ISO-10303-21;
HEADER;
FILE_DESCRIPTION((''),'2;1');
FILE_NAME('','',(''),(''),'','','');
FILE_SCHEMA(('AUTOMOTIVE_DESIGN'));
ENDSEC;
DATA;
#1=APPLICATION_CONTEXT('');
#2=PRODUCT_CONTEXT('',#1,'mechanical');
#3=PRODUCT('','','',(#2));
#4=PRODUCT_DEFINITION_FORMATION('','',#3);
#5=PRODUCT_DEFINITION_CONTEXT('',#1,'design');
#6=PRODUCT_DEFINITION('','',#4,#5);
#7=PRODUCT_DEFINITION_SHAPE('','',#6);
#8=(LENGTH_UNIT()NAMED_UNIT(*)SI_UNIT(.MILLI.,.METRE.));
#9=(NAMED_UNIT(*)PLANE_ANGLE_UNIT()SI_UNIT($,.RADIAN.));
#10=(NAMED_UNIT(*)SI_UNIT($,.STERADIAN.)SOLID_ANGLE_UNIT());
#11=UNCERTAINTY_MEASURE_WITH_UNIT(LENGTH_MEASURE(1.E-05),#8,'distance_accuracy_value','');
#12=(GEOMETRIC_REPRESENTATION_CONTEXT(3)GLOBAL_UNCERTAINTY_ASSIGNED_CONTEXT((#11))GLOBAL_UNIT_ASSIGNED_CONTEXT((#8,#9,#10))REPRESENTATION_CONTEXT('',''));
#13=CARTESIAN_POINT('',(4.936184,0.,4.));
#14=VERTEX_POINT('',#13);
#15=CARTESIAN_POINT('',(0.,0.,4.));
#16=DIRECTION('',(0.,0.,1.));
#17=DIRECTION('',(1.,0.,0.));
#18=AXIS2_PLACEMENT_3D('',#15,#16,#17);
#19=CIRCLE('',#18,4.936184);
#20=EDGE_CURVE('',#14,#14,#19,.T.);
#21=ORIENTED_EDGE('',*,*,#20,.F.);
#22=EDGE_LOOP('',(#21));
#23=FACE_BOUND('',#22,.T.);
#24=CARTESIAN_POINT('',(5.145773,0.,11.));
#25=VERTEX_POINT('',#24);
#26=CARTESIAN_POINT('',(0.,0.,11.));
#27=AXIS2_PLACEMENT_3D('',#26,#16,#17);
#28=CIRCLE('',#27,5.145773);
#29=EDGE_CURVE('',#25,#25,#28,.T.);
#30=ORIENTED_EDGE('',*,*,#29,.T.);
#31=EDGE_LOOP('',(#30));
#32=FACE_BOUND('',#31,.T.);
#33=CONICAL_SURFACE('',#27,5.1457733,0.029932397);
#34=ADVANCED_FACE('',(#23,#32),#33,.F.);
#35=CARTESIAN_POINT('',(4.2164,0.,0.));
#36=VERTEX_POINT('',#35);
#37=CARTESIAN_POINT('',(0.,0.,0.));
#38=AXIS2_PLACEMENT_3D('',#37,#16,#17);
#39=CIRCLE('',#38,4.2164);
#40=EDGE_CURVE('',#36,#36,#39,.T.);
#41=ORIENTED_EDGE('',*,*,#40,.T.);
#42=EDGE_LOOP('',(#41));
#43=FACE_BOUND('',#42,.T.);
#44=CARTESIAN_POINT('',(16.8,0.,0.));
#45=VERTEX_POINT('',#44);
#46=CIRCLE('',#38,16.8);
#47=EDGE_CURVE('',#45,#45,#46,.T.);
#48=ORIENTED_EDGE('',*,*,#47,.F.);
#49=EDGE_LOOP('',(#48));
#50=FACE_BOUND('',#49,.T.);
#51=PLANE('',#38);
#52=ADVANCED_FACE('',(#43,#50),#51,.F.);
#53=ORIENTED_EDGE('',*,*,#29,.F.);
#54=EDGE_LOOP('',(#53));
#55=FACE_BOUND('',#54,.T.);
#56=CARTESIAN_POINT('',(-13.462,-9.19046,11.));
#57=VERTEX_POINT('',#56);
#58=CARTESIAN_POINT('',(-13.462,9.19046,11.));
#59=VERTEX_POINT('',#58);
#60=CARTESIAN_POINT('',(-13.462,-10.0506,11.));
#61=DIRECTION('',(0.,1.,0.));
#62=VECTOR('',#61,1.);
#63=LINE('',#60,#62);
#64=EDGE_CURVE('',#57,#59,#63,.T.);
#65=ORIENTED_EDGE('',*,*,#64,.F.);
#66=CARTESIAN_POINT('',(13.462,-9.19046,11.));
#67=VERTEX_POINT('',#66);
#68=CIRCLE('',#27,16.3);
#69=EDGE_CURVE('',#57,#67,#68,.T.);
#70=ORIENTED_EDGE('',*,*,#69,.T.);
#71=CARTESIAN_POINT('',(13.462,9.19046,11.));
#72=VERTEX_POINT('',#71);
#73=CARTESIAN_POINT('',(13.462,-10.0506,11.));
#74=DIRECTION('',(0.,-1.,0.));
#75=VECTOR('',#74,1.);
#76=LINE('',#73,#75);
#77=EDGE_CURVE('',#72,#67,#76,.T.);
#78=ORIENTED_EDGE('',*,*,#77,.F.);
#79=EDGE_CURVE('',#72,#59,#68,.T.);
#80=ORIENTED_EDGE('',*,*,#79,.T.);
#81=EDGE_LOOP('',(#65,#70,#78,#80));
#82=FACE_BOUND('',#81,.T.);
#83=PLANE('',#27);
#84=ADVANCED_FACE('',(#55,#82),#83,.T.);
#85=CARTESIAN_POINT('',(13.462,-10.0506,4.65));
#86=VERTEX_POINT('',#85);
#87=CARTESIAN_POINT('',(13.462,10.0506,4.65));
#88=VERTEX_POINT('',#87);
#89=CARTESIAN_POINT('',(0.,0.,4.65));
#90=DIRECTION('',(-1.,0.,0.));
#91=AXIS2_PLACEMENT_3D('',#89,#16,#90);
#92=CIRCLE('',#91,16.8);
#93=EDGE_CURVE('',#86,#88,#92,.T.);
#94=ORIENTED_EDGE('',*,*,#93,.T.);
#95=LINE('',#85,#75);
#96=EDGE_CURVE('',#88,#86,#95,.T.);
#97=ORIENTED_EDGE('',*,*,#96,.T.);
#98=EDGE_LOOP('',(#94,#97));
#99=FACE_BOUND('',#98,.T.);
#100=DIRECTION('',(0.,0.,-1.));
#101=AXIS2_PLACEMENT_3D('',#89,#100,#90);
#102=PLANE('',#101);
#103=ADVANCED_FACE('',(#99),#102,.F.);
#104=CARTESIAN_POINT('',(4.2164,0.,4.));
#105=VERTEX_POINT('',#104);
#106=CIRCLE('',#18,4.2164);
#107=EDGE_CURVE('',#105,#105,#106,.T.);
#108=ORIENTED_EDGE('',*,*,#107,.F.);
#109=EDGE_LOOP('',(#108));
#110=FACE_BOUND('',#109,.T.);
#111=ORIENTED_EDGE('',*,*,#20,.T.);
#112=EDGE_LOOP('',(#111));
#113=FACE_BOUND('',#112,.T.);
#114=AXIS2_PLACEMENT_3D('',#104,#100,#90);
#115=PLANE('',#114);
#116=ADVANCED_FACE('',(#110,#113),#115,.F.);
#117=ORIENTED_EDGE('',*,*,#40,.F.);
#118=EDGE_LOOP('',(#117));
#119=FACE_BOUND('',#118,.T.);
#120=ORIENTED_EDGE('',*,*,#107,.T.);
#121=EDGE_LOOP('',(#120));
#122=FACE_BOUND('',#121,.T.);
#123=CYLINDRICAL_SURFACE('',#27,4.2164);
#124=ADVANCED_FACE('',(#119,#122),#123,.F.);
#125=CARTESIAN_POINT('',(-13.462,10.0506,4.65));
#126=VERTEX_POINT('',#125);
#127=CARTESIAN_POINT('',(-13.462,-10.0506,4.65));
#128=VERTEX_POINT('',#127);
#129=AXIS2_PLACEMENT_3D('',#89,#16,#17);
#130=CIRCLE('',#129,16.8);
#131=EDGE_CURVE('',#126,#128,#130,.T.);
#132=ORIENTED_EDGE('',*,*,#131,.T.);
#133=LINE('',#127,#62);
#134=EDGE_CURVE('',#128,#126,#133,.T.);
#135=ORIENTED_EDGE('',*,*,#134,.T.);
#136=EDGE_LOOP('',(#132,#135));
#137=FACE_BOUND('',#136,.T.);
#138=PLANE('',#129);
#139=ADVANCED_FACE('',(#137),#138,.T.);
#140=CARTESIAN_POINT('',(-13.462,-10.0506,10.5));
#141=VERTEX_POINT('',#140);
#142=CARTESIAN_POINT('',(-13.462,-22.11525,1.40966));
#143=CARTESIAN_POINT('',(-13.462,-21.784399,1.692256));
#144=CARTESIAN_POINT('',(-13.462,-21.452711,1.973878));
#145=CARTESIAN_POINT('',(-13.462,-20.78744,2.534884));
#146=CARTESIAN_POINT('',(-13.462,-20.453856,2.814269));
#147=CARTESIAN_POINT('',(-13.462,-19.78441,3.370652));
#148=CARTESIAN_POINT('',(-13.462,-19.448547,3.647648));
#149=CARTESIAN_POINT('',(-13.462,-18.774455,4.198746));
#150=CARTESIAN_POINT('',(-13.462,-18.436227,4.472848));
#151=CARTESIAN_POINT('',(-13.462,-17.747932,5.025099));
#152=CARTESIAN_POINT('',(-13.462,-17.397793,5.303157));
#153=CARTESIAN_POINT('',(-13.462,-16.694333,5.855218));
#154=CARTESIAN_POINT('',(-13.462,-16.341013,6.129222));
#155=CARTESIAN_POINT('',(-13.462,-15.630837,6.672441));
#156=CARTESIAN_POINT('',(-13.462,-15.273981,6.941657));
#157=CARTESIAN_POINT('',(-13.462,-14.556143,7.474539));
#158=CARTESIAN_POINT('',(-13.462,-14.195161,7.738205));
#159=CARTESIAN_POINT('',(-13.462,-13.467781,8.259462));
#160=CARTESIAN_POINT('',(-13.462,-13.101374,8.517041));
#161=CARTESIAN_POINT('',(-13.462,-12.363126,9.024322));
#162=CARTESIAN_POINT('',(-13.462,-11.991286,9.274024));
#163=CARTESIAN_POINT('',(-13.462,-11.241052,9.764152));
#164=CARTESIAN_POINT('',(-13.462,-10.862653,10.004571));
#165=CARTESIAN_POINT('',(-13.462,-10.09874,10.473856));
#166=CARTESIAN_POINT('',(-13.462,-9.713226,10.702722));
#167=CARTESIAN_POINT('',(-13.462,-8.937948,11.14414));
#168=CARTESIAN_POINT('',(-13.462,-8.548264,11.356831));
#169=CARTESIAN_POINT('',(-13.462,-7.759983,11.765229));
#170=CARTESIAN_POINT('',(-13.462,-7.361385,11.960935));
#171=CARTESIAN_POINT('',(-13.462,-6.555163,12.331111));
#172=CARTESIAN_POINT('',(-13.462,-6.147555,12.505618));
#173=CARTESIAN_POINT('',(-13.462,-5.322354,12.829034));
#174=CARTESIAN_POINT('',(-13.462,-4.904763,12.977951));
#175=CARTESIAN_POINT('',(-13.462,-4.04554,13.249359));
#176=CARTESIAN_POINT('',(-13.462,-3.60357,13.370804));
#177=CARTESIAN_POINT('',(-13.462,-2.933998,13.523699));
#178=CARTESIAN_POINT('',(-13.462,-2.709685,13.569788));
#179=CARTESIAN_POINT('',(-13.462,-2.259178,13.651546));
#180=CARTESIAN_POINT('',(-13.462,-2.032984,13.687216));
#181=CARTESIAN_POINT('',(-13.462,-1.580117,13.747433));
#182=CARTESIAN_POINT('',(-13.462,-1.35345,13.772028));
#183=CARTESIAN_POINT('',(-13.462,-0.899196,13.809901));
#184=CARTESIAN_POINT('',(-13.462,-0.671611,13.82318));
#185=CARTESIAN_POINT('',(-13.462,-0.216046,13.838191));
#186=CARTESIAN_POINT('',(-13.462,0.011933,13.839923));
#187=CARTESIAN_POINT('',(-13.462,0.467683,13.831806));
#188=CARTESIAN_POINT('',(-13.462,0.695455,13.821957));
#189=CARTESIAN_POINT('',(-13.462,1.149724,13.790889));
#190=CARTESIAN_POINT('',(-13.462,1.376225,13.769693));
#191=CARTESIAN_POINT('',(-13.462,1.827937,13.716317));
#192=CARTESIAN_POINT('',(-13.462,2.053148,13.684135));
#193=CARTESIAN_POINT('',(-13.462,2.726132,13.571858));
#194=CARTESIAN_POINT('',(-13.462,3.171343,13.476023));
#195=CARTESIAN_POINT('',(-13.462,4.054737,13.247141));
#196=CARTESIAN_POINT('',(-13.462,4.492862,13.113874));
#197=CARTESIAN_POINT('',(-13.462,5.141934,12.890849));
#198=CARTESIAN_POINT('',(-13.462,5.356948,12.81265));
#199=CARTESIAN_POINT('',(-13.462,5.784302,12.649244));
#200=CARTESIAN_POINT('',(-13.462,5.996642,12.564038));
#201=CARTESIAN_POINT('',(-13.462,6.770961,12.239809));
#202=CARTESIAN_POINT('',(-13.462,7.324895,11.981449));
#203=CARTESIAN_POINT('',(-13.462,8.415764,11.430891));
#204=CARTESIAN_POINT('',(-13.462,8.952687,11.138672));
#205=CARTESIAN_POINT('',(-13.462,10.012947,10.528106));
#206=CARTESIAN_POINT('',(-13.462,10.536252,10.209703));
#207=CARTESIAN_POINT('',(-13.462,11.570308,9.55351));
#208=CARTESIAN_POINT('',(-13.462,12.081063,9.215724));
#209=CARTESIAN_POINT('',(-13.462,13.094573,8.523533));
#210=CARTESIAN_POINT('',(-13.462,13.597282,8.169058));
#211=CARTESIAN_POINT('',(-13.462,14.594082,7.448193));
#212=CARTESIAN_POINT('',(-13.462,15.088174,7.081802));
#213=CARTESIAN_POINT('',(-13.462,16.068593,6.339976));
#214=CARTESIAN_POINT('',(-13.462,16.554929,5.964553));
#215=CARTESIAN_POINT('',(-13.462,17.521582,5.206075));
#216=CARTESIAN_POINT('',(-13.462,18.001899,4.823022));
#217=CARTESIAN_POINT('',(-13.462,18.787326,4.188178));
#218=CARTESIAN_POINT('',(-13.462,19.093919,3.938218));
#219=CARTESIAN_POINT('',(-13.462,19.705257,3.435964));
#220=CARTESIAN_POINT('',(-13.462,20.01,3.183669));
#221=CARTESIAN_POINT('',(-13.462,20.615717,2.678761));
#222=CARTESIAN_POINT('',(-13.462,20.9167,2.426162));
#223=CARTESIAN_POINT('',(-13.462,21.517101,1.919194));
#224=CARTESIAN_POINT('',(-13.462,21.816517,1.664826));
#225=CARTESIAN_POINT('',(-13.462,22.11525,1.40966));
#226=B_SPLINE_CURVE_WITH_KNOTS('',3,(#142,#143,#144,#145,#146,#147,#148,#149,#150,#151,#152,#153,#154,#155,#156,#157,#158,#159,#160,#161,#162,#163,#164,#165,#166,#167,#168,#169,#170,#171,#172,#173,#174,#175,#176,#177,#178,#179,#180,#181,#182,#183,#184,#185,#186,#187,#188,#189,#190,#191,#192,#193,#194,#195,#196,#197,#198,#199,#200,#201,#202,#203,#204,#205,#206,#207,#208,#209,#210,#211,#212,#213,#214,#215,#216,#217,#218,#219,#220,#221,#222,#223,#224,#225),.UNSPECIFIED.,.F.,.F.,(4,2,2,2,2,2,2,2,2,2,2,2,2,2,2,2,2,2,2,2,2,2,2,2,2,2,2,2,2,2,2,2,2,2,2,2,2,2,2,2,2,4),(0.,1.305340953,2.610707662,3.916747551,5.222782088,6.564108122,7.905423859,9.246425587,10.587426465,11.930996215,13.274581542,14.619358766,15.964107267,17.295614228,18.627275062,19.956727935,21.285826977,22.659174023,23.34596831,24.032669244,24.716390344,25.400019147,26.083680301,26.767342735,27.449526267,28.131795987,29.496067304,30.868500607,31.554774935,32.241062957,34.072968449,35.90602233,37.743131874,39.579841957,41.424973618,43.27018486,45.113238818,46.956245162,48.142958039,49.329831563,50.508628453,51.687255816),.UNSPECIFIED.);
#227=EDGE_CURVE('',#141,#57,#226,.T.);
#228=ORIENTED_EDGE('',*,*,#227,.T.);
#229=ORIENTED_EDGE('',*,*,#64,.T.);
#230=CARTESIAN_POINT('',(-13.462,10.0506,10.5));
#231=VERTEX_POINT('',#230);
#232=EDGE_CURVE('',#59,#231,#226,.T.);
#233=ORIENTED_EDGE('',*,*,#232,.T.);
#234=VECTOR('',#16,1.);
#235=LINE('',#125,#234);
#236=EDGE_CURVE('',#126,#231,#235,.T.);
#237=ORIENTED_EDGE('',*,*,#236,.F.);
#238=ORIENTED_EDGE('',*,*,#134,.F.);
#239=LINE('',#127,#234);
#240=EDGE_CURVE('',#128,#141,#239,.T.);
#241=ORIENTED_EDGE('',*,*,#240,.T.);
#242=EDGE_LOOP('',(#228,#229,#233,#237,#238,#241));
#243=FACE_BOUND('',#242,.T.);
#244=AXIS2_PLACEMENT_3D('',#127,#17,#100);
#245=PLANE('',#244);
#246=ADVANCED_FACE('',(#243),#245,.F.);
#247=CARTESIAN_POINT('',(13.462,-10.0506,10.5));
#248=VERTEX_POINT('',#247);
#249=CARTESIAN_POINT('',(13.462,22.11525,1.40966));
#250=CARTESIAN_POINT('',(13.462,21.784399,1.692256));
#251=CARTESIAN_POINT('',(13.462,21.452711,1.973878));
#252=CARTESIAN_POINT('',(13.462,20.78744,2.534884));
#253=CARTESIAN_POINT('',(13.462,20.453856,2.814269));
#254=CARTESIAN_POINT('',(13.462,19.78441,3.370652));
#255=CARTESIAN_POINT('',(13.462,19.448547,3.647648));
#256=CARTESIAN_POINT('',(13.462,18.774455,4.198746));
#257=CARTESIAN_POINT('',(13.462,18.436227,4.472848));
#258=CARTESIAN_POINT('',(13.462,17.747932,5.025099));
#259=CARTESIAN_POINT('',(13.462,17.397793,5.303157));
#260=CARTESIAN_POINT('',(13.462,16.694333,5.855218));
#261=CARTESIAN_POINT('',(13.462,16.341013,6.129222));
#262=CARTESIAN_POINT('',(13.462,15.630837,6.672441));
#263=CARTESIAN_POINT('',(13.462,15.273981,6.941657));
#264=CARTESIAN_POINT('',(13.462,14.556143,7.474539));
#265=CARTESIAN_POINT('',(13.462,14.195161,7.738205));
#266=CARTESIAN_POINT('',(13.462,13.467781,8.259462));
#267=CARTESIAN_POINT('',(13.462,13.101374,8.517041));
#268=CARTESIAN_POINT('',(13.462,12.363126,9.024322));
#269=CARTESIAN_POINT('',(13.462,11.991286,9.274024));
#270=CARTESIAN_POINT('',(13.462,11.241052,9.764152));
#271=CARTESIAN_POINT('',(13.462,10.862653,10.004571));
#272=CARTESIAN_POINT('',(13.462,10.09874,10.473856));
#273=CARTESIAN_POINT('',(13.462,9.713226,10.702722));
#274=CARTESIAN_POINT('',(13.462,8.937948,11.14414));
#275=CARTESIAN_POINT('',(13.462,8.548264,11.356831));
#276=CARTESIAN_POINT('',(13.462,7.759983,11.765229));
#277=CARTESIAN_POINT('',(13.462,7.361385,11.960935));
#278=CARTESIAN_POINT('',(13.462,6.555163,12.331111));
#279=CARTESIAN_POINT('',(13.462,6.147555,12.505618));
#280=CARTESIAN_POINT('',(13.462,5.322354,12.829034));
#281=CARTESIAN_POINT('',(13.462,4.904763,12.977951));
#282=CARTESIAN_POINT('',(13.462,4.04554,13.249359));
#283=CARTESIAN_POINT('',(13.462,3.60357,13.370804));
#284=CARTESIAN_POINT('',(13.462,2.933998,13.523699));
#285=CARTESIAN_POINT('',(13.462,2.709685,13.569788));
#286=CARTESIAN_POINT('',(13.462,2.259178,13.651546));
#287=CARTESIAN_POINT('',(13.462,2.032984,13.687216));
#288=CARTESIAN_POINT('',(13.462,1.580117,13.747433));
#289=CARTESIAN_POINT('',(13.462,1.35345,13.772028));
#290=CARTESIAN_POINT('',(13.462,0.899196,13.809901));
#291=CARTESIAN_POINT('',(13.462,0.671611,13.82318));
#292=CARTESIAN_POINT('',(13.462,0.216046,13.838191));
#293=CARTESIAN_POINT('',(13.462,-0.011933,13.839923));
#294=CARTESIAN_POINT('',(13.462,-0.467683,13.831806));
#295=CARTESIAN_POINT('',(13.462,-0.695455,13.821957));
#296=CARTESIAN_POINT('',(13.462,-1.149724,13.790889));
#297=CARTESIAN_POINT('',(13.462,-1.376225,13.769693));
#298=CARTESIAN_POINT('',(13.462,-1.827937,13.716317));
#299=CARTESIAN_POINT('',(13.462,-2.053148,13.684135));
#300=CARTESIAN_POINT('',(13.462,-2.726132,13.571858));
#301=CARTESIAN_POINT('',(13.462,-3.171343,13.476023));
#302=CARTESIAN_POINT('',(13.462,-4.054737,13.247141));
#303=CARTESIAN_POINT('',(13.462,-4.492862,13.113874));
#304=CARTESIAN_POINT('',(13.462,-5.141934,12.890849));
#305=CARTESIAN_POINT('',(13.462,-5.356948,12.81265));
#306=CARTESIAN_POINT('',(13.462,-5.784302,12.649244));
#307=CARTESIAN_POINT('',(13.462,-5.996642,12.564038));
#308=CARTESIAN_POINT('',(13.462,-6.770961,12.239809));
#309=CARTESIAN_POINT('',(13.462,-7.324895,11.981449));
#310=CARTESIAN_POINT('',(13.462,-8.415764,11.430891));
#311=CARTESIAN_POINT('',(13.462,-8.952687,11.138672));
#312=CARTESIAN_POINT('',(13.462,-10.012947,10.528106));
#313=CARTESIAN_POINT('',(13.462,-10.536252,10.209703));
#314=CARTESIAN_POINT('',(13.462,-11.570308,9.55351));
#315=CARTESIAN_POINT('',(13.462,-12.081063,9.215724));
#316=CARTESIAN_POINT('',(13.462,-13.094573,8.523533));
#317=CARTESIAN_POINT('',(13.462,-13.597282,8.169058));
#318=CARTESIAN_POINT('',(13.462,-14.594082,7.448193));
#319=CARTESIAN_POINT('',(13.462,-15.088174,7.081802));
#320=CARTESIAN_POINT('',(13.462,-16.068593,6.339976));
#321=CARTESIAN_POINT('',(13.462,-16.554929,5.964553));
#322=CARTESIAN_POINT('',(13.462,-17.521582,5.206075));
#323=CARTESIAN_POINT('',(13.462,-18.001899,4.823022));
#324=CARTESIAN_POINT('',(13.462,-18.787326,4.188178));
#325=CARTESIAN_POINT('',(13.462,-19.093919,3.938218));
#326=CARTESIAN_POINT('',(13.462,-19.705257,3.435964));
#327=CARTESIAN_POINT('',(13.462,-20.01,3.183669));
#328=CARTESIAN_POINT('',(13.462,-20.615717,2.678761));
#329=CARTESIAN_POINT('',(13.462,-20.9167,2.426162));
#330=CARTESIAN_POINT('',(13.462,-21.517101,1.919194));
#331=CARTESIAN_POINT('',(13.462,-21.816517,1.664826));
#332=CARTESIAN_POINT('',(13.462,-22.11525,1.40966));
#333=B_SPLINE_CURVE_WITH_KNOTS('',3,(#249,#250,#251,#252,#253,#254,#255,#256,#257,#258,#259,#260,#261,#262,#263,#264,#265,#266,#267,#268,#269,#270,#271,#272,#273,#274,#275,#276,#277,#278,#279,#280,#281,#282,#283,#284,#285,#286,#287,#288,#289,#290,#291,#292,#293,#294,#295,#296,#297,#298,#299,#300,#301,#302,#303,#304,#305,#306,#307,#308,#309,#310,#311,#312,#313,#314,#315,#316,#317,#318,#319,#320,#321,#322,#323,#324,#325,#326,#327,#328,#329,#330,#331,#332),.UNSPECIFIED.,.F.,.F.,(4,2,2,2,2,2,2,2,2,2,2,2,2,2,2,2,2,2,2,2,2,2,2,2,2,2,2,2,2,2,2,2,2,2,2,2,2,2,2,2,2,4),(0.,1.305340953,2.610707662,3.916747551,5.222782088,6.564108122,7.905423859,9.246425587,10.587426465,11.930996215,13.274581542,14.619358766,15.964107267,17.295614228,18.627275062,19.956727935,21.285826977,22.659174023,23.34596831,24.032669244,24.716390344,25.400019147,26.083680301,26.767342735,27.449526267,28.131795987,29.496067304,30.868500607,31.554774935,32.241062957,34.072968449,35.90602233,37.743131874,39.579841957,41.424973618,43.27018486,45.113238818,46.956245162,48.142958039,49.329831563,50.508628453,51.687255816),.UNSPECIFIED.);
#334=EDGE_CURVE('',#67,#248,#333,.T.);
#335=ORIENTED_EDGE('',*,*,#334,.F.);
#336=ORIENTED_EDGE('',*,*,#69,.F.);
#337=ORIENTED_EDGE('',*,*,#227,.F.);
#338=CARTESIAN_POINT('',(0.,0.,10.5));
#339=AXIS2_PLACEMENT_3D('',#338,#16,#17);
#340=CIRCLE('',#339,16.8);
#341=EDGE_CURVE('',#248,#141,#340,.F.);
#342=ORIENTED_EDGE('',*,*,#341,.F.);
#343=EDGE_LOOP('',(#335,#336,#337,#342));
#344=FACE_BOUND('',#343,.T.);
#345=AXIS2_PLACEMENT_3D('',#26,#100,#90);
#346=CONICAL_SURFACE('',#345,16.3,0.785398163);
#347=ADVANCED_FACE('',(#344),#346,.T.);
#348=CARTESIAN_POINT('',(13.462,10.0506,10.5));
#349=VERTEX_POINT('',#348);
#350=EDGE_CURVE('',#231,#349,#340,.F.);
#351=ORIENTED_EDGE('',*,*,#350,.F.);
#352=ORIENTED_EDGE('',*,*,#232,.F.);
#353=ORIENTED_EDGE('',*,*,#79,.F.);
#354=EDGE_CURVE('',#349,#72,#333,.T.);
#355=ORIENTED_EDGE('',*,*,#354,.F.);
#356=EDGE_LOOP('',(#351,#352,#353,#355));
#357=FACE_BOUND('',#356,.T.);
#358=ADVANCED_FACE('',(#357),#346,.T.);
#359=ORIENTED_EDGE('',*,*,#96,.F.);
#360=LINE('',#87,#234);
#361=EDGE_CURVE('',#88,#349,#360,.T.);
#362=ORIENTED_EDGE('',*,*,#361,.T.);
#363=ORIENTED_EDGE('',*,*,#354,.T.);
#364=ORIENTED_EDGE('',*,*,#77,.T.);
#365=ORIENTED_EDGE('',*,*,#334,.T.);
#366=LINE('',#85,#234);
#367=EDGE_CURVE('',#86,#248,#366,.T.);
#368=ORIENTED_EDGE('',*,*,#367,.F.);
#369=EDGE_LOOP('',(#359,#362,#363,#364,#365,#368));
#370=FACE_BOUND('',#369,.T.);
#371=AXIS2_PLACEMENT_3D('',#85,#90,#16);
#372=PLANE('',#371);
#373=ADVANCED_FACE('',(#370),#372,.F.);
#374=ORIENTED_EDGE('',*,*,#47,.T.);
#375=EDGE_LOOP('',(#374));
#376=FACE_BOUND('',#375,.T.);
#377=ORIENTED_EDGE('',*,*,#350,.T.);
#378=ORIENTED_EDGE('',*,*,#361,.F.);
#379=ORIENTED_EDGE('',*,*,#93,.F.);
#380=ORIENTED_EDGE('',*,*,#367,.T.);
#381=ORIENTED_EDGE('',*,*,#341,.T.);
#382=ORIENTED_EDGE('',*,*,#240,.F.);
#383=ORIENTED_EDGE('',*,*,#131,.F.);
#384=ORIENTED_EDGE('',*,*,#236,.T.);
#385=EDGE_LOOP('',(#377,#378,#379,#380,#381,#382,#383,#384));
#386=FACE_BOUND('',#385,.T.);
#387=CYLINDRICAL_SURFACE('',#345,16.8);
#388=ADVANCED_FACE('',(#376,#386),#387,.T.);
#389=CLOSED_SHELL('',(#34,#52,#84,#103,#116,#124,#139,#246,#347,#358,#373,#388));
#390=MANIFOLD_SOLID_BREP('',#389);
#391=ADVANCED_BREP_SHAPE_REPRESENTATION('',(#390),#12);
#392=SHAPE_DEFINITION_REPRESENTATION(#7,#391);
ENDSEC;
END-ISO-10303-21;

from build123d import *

# Parameters (mm, degrees)
SKETCH1_R        = 16.8
BODY_DEPTH       = 11
BODYCHAMFER_SIZE = 0.5
BODYFLAT_START   = -6.35
BODYFLAT_DEPTH   = 6.35


with BuildPart() as part:
    # Sketch1 → Body (new body)
    with BuildSketch(Plane.XY):
        Circle(SKETCH1_R)
    extrude(amount=BODY_DEPTH)

    # BodyChamfer
    bodychamfer_edges = [part.edges().sort_by_distance(p)[0] for p in [
        (-16.8, 0, 11),
    ]]
    chamfer(bodychamfer_edges, length=BODYCHAMFER_SIZE)

    # Sketch2 → BodyFlat (cut)
    with BuildSketch(Plane.XY.offset(11).offset(BODYFLAT_START)):
        with BuildLine():
            Line((-13.462, -10.050599783), (-13.462, 10.050599783))
            ThreePointArc((-13.462, 10.050599783), (-16.8, 0), (-13.462, -10.050599783))
        make_face()
        with BuildLine():
            Line((13.462, -10.050599783), (13.462, 10.050599783))
            ThreePointArc((13.462, 10.050599783), (16.8, 0), (13.462, -10.050599783))
        make_face()
    extrude(amount=BODYFLAT_DEPTH, mode=Mode.SUBTRACT)

    # Sketch4 → 1/8 NPT Tapped Hole1 (revolve, cut)
    with BuildSketch(Plane(origin=(0, 0, 11), x_dir=(0, -1, 0), z_dir=(1, 0, 0))):
        Polygon((0, 0), (0, 14.533468714), (4.2164, 12), (4.2164, 7), (4.936183926, 7), (5.1457733, 0), align=None)
    revolve(axis=Axis((0, 0, 17.35), (0, 0, -1)), mode=Mode.SUBTRACT)


solid = part.part
